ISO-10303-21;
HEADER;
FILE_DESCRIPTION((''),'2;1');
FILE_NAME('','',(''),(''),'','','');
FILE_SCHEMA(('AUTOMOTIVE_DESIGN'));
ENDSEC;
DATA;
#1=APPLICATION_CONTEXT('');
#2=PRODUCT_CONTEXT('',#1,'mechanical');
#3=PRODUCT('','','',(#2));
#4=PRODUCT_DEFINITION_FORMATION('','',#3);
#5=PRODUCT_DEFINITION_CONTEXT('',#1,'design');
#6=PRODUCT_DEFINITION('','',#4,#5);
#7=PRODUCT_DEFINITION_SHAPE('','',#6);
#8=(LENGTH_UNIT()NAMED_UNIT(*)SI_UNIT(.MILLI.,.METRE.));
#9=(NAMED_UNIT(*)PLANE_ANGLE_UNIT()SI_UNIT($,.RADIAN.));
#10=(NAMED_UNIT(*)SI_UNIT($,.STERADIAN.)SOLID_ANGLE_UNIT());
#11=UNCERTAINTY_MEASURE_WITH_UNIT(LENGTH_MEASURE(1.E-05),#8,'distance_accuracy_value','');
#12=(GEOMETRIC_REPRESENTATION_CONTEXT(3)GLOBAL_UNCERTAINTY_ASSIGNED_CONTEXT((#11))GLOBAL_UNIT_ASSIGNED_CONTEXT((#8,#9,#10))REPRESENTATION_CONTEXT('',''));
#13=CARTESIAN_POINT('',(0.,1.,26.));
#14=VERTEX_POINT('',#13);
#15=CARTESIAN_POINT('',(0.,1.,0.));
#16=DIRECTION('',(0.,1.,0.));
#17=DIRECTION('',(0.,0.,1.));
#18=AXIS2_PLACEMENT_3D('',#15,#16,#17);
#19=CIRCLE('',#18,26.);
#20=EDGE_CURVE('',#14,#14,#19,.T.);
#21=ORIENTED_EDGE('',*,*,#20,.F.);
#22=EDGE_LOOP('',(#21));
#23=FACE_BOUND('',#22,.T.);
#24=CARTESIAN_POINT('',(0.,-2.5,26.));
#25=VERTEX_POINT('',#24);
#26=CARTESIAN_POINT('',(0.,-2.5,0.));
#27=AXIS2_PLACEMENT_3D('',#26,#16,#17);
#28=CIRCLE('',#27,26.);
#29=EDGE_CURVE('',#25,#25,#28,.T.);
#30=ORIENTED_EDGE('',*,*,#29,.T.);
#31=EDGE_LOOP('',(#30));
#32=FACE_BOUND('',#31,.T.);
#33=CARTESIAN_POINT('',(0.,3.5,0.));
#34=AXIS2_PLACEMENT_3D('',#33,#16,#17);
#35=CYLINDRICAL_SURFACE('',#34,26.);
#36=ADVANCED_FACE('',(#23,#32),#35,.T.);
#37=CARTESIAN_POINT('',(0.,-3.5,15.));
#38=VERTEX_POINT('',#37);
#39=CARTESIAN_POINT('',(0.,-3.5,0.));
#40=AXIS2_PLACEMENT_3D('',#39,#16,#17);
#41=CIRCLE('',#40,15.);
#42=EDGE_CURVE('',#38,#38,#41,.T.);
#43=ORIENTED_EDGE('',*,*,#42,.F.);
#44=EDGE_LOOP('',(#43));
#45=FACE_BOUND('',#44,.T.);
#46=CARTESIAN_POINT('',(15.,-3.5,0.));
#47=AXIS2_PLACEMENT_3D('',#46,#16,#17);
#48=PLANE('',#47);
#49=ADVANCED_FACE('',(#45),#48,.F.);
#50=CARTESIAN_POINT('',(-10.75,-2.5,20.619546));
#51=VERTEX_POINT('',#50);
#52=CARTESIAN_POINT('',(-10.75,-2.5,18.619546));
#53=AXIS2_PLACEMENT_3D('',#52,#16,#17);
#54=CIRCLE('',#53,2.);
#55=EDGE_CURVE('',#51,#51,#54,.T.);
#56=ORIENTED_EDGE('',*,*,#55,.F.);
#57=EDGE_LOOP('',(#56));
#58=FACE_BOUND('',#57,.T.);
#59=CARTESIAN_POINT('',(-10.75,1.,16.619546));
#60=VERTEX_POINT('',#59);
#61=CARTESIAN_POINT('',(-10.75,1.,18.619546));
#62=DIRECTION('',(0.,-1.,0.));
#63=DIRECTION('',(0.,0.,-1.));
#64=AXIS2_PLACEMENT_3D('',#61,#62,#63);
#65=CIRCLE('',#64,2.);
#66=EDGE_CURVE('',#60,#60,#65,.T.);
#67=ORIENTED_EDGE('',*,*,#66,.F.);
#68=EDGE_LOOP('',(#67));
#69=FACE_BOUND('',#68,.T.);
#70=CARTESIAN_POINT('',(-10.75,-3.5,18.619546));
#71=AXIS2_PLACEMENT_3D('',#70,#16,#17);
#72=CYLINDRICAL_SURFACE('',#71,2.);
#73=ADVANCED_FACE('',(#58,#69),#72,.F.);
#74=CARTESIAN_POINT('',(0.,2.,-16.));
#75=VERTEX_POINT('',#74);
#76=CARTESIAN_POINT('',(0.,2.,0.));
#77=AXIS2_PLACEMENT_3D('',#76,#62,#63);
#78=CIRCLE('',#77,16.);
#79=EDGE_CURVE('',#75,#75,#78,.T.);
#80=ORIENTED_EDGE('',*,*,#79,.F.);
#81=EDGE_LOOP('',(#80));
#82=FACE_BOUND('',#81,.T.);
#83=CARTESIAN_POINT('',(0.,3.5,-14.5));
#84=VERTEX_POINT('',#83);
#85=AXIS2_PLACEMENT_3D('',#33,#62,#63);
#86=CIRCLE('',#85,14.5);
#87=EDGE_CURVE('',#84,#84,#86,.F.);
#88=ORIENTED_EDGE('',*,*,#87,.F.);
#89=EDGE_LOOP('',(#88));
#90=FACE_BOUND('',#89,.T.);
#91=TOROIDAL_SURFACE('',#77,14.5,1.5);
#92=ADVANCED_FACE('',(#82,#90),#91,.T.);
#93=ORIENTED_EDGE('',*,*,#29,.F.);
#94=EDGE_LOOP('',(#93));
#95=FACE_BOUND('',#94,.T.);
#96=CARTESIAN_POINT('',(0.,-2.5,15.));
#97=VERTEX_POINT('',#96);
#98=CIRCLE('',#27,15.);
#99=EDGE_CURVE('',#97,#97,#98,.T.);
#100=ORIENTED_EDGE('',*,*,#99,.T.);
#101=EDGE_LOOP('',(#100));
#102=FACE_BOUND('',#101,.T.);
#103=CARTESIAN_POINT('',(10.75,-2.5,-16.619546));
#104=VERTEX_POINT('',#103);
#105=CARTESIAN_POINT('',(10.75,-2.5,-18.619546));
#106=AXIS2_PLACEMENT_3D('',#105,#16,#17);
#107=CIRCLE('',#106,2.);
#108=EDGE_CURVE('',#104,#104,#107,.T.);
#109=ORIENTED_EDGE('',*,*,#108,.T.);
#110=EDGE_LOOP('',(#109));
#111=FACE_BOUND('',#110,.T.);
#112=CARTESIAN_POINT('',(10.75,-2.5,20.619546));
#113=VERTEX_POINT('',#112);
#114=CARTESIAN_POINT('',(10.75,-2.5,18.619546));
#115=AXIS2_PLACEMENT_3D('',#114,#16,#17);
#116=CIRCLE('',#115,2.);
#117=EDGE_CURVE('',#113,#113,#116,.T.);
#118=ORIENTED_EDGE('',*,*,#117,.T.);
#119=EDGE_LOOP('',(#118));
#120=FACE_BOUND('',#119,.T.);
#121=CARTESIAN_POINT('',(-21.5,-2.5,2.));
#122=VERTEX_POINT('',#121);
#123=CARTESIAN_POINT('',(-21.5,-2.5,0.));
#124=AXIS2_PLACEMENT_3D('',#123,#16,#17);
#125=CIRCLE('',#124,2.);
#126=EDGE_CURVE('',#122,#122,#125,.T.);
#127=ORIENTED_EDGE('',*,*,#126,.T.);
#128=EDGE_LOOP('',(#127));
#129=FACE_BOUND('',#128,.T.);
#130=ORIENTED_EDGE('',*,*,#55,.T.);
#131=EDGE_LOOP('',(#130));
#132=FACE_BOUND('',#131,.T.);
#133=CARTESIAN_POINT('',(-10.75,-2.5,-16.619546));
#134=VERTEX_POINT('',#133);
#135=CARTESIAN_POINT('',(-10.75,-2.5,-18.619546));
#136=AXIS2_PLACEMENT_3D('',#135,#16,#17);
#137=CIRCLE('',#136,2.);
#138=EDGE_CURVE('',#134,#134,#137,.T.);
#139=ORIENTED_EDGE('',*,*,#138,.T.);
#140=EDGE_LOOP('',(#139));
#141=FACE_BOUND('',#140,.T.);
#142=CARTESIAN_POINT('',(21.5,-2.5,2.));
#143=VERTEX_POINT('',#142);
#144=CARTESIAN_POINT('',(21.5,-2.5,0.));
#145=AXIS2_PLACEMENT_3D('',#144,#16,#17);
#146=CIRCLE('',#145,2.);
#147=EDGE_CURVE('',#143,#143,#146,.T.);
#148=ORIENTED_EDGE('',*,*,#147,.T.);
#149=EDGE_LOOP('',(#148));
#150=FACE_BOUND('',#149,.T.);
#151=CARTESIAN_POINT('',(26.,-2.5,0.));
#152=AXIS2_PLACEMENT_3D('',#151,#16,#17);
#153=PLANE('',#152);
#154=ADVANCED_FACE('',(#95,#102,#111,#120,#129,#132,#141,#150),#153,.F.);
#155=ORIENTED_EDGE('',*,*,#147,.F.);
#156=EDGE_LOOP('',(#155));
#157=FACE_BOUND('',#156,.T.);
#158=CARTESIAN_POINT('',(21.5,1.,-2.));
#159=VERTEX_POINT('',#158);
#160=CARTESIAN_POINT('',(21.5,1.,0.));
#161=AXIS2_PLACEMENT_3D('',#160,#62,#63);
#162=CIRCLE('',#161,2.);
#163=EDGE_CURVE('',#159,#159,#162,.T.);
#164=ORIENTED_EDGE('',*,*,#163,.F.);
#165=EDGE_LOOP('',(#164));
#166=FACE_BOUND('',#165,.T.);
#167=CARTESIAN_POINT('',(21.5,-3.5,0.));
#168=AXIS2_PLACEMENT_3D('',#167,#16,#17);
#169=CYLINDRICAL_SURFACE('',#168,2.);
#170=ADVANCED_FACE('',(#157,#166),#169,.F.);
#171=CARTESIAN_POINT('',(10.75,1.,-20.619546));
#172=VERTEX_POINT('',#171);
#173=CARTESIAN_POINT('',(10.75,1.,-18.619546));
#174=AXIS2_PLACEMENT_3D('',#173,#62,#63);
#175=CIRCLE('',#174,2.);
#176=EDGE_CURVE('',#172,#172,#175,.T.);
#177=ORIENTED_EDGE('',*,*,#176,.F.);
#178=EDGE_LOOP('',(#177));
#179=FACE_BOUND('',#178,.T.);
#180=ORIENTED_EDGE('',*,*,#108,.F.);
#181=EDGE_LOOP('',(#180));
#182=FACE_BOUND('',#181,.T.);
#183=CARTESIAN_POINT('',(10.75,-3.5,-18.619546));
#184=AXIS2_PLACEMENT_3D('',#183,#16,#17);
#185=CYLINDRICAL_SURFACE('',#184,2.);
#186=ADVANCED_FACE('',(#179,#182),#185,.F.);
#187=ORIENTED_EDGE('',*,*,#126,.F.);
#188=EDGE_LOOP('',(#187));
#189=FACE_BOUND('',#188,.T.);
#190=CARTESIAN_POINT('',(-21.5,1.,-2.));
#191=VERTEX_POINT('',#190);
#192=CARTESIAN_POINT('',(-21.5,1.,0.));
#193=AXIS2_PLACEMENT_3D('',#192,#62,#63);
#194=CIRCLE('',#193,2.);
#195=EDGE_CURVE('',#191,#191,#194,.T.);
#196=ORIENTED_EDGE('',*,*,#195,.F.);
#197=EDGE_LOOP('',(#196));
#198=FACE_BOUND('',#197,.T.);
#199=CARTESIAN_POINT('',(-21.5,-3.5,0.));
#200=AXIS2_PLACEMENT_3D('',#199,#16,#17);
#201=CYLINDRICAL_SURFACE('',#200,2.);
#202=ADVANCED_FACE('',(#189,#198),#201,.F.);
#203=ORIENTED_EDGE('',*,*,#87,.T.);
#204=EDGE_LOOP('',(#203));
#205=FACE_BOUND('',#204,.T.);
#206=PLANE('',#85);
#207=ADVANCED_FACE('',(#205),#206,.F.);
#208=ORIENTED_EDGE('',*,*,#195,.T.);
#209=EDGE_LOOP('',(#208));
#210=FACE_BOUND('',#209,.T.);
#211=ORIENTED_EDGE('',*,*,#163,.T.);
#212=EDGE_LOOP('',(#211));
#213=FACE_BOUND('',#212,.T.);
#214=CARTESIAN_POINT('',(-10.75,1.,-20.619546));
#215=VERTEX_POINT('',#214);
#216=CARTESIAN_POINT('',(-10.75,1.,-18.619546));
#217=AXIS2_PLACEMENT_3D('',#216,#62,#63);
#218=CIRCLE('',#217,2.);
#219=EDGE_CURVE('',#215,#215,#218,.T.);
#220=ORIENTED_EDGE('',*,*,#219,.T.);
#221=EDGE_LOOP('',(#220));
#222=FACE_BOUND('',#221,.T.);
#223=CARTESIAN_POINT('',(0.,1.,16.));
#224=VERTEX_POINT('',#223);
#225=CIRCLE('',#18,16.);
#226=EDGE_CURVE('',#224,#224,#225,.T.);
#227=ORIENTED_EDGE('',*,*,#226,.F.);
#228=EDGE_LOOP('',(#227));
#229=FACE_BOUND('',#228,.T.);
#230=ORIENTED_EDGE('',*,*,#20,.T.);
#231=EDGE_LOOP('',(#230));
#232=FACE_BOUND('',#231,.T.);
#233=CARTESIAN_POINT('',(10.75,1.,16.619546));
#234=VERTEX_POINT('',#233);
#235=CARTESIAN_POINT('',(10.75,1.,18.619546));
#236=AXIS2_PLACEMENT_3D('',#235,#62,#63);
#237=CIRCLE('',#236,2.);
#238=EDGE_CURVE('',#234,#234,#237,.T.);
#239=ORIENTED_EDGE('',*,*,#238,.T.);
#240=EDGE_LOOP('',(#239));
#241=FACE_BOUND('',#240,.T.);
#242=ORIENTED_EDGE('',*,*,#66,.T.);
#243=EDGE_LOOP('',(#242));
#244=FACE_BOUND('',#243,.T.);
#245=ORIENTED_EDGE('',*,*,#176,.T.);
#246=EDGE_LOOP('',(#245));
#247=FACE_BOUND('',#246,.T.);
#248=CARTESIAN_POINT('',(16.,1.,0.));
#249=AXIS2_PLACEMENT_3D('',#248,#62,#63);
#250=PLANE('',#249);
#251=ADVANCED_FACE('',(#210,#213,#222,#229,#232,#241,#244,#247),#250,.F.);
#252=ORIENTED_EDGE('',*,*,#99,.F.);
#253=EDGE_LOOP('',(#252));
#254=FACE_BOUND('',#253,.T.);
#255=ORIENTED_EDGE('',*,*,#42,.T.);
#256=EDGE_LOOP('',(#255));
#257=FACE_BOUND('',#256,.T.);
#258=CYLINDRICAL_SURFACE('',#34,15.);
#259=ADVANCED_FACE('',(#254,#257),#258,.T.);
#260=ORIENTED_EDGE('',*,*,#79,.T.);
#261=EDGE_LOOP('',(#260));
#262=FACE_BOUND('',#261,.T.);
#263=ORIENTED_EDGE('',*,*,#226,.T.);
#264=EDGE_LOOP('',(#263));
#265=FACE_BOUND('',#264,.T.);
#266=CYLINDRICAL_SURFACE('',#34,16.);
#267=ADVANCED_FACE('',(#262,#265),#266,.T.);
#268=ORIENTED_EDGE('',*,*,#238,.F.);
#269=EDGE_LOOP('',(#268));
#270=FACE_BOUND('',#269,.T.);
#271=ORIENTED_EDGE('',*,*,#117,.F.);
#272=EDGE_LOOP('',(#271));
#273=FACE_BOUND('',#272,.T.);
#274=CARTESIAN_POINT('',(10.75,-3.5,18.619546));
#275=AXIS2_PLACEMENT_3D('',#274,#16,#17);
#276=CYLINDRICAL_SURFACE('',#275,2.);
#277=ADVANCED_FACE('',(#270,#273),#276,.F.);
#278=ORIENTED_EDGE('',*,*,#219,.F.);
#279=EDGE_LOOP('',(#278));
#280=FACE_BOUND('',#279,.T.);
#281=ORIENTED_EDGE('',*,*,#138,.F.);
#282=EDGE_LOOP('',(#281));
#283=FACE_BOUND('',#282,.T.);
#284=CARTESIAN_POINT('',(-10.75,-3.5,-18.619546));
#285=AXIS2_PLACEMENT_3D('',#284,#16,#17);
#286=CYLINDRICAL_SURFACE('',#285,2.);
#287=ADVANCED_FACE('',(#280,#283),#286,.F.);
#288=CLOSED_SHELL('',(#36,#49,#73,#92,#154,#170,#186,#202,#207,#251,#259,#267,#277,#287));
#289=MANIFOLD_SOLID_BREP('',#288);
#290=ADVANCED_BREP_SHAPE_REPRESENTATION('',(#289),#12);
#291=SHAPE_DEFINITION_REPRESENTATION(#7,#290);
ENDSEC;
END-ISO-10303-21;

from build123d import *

# Parameters (mm, degrees)
CUT_EXTRUDE1_DEPTH      = 37.935755035
CUT_EXTRUDE1_DEPTH_BACK = 37.935755035
SKETCH2_R               = 2
FILLET1_R               = 1.5


with BuildPart() as part:
    # Sketch1 → Revolve1 (revolve)
    with BuildSketch(Plane.XY, mode=Mode.PRIVATE) as revolve1_sk:
        Polygon((0, 3.5), (16, 3.5), (16, 1), (26, 1), (26, -2.5), (15, -2.5), (15, -3.5), (0, -3.5), align=None)
    revolve(revolve1_sk.sketch.rotate(Axis((0, 3.5, 0), (0, -1, 0)), 90), axis=Axis((0, 3.5, 0), (0, -1, 0)))

    # Sketch2 → Cut-Extrude1 (cut, two sides: drawn at the far end of the back side and taken through both)
    with BuildSketch(Plane(origin=(0, 0, 0), x_dir=(1, 0, 0), z_dir=(0, 1, 0)).offset(-CUT_EXTRUDE1_DEPTH_BACK)):
        with Locations(Location((-21.5, 0, 0), (0, 0, 270))):
            Circle(SKETCH2_R)
        with Locations(Location((-10.75, -18.619546181, 0), (0, 0, 270))):
            Circle(SKETCH2_R)
        with Locations(Location((10.75, -18.619546181, 0), (0, 0, 270))):
            Circle(SKETCH2_R)
        with Locations(Location((21.5, 0, 0), (0, 0, 270))):
            Circle(SKETCH2_R)
        with Locations(Location((10.75, 18.619546181, 0), (0, 0, 270))):
            Circle(SKETCH2_R)
        with Locations(Location((-10.75, 18.619546181, 0), (0, 0, 270))):
            Circle(SKETCH2_R)
    extrude(amount=CUT_EXTRUDE1_DEPTH + CUT_EXTRUDE1_DEPTH_BACK, mode=Mode.SUBTRACT)

    # Fillet1
    fillet1_edges = [part.edges().sort_by_distance(p)[0] for p in [
        (0, 3.5, -16),
    ]]
    fillet(fillet1_edges, radius=FILLET1_R)


solid = part.part
